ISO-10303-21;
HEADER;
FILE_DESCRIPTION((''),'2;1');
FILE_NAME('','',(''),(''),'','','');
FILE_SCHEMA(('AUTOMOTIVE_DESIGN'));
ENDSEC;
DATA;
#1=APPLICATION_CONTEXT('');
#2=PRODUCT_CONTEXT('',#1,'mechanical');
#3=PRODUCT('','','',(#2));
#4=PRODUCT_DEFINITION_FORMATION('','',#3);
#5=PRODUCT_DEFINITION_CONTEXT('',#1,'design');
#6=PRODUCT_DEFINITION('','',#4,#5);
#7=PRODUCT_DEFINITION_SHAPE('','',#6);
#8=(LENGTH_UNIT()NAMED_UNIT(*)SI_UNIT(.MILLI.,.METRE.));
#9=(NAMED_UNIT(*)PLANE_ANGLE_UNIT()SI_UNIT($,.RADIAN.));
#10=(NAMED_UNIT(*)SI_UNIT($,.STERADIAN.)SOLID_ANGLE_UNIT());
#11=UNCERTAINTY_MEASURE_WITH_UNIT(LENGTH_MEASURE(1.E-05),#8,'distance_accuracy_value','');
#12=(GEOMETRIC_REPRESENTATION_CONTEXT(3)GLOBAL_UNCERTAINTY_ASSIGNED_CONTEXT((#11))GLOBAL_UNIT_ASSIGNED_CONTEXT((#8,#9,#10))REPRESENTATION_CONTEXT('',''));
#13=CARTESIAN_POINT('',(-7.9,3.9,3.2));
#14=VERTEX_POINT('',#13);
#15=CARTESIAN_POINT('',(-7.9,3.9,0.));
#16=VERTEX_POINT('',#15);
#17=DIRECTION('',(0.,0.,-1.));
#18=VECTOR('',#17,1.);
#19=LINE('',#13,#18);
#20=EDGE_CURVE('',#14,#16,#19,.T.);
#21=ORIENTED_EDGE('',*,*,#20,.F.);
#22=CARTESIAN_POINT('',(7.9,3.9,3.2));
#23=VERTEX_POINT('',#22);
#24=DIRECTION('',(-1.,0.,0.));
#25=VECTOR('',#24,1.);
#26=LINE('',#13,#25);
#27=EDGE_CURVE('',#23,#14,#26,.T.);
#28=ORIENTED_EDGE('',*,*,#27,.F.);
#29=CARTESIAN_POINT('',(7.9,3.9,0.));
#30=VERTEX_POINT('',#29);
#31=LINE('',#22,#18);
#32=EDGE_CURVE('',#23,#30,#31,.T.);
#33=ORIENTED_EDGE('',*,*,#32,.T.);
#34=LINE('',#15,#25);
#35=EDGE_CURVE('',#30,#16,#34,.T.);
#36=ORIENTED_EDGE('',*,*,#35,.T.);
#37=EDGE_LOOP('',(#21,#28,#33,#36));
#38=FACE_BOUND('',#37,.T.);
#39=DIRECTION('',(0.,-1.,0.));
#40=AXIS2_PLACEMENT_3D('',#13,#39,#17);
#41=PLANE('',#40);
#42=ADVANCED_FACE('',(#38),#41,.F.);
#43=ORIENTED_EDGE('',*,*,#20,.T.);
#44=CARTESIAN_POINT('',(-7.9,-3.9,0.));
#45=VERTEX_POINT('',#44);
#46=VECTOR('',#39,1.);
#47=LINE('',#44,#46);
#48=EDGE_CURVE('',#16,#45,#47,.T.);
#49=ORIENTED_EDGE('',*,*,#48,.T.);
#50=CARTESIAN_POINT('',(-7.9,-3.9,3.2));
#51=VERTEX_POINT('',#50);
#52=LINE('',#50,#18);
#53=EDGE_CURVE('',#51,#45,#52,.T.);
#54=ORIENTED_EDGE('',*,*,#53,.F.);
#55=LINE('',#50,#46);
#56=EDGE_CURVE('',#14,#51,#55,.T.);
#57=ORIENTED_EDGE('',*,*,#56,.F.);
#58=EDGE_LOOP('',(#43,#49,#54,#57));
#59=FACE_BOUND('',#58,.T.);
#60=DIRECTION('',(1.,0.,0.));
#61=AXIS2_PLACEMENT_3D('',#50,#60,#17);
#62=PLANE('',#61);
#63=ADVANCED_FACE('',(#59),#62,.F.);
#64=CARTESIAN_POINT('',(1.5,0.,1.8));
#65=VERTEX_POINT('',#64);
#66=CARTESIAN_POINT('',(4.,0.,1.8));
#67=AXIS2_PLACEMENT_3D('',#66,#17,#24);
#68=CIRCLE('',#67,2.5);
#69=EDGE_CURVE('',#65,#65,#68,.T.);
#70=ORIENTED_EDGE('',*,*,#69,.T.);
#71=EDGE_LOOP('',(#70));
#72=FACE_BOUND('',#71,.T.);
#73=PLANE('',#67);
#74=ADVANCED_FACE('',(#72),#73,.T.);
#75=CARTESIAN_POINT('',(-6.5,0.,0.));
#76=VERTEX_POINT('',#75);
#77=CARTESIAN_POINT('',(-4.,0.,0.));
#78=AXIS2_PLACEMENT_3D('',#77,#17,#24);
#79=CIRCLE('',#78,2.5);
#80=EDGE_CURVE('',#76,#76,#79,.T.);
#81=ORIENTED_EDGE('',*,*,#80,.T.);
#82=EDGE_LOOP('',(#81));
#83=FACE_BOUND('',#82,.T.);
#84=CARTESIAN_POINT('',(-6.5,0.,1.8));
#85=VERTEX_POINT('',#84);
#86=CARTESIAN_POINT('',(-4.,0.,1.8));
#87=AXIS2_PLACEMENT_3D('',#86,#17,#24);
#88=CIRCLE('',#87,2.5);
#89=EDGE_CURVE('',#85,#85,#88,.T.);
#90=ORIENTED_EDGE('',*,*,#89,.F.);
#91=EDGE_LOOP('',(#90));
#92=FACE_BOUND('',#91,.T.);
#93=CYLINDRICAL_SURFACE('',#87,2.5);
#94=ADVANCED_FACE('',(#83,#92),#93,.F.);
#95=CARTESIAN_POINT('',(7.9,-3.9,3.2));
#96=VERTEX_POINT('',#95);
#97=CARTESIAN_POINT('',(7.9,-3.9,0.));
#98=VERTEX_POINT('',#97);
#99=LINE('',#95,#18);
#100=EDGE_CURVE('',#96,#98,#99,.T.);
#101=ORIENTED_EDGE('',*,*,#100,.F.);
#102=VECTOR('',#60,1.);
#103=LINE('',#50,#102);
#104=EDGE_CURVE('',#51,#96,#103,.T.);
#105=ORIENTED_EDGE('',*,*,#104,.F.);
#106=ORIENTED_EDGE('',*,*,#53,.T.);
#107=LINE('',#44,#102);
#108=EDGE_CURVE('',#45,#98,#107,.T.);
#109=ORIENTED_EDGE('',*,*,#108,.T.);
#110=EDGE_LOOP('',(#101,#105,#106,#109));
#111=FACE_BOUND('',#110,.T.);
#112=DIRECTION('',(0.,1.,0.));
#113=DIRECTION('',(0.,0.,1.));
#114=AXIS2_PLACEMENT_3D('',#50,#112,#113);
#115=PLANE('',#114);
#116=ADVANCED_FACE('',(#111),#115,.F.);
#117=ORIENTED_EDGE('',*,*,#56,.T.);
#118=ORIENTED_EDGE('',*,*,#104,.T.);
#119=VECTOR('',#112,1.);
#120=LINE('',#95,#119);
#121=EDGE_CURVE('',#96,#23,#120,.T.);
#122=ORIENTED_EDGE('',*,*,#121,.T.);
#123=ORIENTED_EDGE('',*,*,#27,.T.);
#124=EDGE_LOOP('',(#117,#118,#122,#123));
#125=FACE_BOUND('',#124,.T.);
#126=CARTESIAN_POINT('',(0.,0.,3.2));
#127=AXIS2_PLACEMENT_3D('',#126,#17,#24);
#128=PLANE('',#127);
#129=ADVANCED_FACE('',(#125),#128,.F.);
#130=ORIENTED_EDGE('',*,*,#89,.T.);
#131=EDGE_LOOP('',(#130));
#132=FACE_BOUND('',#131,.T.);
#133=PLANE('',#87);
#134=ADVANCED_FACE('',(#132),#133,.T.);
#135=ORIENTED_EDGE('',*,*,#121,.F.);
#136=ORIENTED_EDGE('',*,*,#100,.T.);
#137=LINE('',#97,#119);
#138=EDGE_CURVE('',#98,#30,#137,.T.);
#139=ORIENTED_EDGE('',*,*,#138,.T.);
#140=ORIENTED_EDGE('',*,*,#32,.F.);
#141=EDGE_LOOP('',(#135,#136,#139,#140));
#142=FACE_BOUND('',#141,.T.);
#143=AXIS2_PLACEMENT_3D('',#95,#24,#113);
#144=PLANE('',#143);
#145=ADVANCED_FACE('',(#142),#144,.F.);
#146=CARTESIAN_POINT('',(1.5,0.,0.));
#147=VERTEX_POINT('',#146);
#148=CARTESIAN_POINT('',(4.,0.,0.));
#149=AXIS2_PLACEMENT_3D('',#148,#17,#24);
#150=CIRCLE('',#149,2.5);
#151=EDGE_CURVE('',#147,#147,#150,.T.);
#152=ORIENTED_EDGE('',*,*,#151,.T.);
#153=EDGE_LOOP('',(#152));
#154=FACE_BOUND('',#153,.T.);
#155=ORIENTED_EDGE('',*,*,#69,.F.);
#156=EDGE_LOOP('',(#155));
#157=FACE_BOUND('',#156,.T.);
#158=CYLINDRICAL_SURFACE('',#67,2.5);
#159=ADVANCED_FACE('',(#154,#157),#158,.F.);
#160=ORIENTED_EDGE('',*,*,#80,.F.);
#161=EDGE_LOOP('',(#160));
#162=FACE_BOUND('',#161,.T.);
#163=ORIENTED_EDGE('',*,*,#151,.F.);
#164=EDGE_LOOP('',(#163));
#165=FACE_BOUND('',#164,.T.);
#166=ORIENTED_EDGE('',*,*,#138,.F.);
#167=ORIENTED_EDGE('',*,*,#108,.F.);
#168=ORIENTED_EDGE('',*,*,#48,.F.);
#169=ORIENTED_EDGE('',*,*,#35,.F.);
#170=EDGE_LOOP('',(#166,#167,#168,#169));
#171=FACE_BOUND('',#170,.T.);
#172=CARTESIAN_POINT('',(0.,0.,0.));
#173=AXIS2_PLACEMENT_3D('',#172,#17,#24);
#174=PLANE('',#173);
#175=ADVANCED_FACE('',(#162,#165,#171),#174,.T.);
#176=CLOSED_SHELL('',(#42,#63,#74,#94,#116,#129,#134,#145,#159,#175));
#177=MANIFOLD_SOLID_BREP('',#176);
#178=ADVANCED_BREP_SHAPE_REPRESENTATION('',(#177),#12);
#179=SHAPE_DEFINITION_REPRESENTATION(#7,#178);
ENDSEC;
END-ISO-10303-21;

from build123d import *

# Parameters (mm, degrees)
SKETCH_1_W          = 15.8
SKETCH_1_H          = 7.8
EXTRUDE_1_DEPTH     = 3.2
SKETCH_2_R          = 2.5
CUT_EXTRUDE_1_DEPTH = 1.8


with BuildPart() as part:
    # Эскиз1 → Бобышка-Вытянуть1 (new body)
    with BuildSketch(Plane.XY):
        Rectangle(SKETCH_1_W, SKETCH_1_H)
    extrude(amount=EXTRUDE_1_DEPTH)

    # Эскиз2 → Вырез-Вытянуть1 (cut)
    with BuildSketch(Plane(origin=(0, 0, 0), x_dir=(-1, 0, 0), z_dir=(0, 0, -1))):
        with Locations((-4, 0)):
            Circle(SKETCH_2_R)
        with Locations((4, 0)):
            Circle(SKETCH_2_R)
    extrude(amount=-CUT_EXTRUDE_1_DEPTH, mode=Mode.SUBTRACT)


solid = part.part
